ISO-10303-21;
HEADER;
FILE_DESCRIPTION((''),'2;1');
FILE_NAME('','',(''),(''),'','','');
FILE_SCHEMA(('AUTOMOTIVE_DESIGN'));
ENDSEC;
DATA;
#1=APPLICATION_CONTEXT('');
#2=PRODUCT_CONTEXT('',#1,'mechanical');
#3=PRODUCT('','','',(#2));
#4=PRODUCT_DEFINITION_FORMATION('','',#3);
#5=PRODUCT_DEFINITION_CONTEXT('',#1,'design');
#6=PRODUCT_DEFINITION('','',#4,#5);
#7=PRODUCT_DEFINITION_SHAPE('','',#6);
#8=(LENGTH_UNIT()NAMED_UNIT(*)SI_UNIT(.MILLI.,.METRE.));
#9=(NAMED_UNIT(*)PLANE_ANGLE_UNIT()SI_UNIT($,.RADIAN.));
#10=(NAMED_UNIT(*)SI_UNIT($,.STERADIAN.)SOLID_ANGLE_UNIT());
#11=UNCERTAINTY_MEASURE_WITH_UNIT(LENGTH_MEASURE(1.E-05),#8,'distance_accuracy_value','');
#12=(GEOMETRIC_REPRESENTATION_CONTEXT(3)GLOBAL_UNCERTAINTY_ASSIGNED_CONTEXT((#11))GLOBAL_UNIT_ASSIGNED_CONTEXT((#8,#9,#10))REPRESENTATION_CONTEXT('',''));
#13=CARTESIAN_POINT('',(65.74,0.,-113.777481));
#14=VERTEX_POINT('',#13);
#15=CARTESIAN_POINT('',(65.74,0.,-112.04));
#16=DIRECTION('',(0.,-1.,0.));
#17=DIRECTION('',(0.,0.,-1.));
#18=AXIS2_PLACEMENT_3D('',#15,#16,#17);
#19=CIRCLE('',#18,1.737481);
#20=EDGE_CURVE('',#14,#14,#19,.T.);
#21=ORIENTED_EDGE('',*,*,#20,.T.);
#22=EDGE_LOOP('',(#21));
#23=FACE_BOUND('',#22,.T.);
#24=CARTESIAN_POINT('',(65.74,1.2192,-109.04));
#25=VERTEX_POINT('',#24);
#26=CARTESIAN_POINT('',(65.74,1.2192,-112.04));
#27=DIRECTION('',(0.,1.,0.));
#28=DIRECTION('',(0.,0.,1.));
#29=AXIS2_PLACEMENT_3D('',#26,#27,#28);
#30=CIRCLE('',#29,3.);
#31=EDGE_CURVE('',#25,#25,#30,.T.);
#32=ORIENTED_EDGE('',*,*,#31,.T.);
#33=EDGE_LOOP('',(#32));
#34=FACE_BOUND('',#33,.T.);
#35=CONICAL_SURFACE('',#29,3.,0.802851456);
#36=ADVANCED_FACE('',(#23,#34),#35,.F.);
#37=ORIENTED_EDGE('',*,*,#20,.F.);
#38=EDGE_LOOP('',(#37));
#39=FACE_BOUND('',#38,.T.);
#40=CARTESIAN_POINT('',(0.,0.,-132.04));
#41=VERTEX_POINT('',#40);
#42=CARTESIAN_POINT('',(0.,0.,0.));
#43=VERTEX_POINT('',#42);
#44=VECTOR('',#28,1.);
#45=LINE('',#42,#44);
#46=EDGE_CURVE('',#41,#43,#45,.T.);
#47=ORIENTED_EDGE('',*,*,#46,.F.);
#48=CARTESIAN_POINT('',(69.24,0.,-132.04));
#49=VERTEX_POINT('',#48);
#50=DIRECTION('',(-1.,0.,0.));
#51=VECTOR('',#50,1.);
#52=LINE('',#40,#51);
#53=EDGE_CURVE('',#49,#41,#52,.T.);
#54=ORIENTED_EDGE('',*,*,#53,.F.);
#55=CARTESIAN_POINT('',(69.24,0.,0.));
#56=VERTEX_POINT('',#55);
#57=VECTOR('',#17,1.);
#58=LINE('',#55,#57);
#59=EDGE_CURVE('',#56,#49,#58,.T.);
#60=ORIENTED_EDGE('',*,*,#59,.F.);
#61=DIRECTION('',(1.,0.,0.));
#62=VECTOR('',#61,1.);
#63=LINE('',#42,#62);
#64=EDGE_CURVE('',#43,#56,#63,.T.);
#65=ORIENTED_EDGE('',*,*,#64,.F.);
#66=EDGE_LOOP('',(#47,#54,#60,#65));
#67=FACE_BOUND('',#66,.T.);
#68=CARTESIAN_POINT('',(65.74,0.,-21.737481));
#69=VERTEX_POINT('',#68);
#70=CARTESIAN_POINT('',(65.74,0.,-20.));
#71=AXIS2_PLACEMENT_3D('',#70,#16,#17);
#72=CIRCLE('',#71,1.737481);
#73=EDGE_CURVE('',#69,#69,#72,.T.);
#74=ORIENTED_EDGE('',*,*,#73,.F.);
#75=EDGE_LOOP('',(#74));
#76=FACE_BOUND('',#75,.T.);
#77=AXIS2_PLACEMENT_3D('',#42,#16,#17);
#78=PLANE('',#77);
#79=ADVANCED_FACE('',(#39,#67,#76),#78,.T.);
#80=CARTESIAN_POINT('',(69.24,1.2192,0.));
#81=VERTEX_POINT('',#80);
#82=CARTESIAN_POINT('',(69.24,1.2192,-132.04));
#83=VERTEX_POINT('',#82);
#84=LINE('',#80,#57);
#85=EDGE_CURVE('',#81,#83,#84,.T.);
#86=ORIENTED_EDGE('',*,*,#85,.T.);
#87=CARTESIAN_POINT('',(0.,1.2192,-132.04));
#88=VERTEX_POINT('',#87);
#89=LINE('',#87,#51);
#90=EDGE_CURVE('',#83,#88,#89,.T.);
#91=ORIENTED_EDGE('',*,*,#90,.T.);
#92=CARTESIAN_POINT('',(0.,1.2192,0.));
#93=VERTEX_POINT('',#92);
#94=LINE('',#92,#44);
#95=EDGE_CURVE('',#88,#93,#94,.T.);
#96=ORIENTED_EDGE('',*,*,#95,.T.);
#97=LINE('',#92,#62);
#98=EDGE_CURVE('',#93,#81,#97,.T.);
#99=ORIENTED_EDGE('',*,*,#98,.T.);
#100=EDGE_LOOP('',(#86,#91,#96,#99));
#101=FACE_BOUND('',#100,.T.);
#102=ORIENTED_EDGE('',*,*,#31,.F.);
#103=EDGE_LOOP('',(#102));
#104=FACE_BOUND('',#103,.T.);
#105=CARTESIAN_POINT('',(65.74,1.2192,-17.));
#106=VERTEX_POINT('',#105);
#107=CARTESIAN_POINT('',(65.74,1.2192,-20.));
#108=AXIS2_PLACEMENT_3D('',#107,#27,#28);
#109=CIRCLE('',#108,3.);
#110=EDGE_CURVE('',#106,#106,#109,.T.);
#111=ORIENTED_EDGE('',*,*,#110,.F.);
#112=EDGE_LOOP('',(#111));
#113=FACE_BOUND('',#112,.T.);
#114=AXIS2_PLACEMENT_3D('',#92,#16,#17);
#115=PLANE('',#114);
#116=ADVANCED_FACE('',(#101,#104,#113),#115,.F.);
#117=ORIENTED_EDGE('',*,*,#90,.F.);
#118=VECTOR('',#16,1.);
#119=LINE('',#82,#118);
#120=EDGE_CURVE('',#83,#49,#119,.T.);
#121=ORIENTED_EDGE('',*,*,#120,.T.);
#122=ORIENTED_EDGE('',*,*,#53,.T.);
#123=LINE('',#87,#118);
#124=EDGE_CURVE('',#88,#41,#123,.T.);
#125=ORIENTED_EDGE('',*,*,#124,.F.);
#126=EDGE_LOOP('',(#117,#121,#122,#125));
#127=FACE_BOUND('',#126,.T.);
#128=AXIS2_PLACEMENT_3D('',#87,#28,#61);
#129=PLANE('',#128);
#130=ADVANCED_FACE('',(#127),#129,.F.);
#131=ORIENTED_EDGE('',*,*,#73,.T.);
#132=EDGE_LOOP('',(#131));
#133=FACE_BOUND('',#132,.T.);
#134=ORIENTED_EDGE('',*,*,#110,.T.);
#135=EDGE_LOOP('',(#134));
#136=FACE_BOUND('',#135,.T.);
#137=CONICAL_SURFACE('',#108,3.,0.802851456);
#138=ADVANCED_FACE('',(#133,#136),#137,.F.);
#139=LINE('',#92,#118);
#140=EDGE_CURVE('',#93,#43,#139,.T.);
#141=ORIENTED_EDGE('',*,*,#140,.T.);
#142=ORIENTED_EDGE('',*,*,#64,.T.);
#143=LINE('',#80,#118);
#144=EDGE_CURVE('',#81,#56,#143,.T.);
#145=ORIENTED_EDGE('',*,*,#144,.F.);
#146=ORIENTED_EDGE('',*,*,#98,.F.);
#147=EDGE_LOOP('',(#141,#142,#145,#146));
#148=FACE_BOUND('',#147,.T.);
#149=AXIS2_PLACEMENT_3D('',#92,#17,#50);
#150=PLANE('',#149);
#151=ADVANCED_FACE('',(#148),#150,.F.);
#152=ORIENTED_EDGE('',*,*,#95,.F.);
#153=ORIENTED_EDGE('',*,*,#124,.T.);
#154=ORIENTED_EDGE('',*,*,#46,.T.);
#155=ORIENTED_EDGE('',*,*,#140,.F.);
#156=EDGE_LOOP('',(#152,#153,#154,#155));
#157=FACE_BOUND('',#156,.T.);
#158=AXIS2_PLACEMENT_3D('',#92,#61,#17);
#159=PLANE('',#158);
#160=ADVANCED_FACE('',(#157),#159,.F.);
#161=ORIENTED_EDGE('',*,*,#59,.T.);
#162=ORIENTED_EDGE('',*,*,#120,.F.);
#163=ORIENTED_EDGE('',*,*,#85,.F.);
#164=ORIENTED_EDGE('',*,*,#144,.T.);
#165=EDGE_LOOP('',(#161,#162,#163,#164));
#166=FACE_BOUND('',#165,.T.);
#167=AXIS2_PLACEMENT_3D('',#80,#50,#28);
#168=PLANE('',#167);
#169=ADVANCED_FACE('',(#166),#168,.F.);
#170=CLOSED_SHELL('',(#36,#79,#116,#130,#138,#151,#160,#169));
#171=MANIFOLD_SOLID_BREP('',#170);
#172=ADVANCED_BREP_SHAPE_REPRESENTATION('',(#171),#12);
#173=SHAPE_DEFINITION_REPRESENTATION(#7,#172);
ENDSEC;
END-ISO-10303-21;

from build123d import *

# Parameters (mm, degrees)
SKETCH1_W                                            = 69.24
SKETCH1_H                                            = 132.04
BOSS_EXTRUDE1_DEPTH                                  = 1.2192
CSK_FOR_M3_CROSS_COUNTERSUNK_HEAD_SCREW1_D           = 3.4
CSK_FOR_M3_CROSS_COUNTERSUNK_HEAD_SCREW1_DEPTH       = 70.76
CSK_FOR_M3_CROSS_COUNTERSUNK_HEAD_SCREW1_CSINK_D     = 6
CSK_FOR_M3_CROSS_COUNTERSUNK_HEAD_SCREW1_CSINK_ANGLE = 92
CSK_FOR_M3_CROSS_COUNTERSUNK_HEAD_SCREW1_TIP         = 1.021463052


with BuildPart() as part:
    # Sketch1 → Boss-Extrude1 (new body)
    with BuildSketch(Plane(origin=(0, 0, 0), x_dir=(1, 0, 0), z_dir=(0, 1, 0))):
        with Locations((34.62, 66.02)):
            Rectangle(SKETCH1_W, SKETCH1_H)
    extrude(amount=BOSS_EXTRUDE1_DEPTH)

    # CSK for M3 Cross Countersunk Head Screw1
    with Locations(Plane(origin=(0, 1.2192, 0), x_dir=(1, 0, 0), z_dir=(0, 1, 0))):
        with Locations((65.74, 112.04), (65.74, 20)):
            CounterSinkHole(CSK_FOR_M3_CROSS_COUNTERSUNK_HEAD_SCREW1_D / 2, CSK_FOR_M3_CROSS_COUNTERSUNK_HEAD_SCREW1_CSINK_D / 2, depth=CSK_FOR_M3_CROSS_COUNTERSUNK_HEAD_SCREW1_DEPTH, counter_sink_angle=CSK_FOR_M3_CROSS_COUNTERSUNK_HEAD_SCREW1_CSINK_ANGLE)
            with Locations((0, 0, -(CSK_FOR_M3_CROSS_COUNTERSUNK_HEAD_SCREW1_DEPTH + CSK_FOR_M3_CROSS_COUNTERSUNK_HEAD_SCREW1_TIP / 2))):  # 118° drill point
                Cone(0, CSK_FOR_M3_CROSS_COUNTERSUNK_HEAD_SCREW1_D / 2, CSK_FOR_M3_CROSS_COUNTERSUNK_HEAD_SCREW1_TIP, mode=Mode.SUBTRACT)


solid = part.part
